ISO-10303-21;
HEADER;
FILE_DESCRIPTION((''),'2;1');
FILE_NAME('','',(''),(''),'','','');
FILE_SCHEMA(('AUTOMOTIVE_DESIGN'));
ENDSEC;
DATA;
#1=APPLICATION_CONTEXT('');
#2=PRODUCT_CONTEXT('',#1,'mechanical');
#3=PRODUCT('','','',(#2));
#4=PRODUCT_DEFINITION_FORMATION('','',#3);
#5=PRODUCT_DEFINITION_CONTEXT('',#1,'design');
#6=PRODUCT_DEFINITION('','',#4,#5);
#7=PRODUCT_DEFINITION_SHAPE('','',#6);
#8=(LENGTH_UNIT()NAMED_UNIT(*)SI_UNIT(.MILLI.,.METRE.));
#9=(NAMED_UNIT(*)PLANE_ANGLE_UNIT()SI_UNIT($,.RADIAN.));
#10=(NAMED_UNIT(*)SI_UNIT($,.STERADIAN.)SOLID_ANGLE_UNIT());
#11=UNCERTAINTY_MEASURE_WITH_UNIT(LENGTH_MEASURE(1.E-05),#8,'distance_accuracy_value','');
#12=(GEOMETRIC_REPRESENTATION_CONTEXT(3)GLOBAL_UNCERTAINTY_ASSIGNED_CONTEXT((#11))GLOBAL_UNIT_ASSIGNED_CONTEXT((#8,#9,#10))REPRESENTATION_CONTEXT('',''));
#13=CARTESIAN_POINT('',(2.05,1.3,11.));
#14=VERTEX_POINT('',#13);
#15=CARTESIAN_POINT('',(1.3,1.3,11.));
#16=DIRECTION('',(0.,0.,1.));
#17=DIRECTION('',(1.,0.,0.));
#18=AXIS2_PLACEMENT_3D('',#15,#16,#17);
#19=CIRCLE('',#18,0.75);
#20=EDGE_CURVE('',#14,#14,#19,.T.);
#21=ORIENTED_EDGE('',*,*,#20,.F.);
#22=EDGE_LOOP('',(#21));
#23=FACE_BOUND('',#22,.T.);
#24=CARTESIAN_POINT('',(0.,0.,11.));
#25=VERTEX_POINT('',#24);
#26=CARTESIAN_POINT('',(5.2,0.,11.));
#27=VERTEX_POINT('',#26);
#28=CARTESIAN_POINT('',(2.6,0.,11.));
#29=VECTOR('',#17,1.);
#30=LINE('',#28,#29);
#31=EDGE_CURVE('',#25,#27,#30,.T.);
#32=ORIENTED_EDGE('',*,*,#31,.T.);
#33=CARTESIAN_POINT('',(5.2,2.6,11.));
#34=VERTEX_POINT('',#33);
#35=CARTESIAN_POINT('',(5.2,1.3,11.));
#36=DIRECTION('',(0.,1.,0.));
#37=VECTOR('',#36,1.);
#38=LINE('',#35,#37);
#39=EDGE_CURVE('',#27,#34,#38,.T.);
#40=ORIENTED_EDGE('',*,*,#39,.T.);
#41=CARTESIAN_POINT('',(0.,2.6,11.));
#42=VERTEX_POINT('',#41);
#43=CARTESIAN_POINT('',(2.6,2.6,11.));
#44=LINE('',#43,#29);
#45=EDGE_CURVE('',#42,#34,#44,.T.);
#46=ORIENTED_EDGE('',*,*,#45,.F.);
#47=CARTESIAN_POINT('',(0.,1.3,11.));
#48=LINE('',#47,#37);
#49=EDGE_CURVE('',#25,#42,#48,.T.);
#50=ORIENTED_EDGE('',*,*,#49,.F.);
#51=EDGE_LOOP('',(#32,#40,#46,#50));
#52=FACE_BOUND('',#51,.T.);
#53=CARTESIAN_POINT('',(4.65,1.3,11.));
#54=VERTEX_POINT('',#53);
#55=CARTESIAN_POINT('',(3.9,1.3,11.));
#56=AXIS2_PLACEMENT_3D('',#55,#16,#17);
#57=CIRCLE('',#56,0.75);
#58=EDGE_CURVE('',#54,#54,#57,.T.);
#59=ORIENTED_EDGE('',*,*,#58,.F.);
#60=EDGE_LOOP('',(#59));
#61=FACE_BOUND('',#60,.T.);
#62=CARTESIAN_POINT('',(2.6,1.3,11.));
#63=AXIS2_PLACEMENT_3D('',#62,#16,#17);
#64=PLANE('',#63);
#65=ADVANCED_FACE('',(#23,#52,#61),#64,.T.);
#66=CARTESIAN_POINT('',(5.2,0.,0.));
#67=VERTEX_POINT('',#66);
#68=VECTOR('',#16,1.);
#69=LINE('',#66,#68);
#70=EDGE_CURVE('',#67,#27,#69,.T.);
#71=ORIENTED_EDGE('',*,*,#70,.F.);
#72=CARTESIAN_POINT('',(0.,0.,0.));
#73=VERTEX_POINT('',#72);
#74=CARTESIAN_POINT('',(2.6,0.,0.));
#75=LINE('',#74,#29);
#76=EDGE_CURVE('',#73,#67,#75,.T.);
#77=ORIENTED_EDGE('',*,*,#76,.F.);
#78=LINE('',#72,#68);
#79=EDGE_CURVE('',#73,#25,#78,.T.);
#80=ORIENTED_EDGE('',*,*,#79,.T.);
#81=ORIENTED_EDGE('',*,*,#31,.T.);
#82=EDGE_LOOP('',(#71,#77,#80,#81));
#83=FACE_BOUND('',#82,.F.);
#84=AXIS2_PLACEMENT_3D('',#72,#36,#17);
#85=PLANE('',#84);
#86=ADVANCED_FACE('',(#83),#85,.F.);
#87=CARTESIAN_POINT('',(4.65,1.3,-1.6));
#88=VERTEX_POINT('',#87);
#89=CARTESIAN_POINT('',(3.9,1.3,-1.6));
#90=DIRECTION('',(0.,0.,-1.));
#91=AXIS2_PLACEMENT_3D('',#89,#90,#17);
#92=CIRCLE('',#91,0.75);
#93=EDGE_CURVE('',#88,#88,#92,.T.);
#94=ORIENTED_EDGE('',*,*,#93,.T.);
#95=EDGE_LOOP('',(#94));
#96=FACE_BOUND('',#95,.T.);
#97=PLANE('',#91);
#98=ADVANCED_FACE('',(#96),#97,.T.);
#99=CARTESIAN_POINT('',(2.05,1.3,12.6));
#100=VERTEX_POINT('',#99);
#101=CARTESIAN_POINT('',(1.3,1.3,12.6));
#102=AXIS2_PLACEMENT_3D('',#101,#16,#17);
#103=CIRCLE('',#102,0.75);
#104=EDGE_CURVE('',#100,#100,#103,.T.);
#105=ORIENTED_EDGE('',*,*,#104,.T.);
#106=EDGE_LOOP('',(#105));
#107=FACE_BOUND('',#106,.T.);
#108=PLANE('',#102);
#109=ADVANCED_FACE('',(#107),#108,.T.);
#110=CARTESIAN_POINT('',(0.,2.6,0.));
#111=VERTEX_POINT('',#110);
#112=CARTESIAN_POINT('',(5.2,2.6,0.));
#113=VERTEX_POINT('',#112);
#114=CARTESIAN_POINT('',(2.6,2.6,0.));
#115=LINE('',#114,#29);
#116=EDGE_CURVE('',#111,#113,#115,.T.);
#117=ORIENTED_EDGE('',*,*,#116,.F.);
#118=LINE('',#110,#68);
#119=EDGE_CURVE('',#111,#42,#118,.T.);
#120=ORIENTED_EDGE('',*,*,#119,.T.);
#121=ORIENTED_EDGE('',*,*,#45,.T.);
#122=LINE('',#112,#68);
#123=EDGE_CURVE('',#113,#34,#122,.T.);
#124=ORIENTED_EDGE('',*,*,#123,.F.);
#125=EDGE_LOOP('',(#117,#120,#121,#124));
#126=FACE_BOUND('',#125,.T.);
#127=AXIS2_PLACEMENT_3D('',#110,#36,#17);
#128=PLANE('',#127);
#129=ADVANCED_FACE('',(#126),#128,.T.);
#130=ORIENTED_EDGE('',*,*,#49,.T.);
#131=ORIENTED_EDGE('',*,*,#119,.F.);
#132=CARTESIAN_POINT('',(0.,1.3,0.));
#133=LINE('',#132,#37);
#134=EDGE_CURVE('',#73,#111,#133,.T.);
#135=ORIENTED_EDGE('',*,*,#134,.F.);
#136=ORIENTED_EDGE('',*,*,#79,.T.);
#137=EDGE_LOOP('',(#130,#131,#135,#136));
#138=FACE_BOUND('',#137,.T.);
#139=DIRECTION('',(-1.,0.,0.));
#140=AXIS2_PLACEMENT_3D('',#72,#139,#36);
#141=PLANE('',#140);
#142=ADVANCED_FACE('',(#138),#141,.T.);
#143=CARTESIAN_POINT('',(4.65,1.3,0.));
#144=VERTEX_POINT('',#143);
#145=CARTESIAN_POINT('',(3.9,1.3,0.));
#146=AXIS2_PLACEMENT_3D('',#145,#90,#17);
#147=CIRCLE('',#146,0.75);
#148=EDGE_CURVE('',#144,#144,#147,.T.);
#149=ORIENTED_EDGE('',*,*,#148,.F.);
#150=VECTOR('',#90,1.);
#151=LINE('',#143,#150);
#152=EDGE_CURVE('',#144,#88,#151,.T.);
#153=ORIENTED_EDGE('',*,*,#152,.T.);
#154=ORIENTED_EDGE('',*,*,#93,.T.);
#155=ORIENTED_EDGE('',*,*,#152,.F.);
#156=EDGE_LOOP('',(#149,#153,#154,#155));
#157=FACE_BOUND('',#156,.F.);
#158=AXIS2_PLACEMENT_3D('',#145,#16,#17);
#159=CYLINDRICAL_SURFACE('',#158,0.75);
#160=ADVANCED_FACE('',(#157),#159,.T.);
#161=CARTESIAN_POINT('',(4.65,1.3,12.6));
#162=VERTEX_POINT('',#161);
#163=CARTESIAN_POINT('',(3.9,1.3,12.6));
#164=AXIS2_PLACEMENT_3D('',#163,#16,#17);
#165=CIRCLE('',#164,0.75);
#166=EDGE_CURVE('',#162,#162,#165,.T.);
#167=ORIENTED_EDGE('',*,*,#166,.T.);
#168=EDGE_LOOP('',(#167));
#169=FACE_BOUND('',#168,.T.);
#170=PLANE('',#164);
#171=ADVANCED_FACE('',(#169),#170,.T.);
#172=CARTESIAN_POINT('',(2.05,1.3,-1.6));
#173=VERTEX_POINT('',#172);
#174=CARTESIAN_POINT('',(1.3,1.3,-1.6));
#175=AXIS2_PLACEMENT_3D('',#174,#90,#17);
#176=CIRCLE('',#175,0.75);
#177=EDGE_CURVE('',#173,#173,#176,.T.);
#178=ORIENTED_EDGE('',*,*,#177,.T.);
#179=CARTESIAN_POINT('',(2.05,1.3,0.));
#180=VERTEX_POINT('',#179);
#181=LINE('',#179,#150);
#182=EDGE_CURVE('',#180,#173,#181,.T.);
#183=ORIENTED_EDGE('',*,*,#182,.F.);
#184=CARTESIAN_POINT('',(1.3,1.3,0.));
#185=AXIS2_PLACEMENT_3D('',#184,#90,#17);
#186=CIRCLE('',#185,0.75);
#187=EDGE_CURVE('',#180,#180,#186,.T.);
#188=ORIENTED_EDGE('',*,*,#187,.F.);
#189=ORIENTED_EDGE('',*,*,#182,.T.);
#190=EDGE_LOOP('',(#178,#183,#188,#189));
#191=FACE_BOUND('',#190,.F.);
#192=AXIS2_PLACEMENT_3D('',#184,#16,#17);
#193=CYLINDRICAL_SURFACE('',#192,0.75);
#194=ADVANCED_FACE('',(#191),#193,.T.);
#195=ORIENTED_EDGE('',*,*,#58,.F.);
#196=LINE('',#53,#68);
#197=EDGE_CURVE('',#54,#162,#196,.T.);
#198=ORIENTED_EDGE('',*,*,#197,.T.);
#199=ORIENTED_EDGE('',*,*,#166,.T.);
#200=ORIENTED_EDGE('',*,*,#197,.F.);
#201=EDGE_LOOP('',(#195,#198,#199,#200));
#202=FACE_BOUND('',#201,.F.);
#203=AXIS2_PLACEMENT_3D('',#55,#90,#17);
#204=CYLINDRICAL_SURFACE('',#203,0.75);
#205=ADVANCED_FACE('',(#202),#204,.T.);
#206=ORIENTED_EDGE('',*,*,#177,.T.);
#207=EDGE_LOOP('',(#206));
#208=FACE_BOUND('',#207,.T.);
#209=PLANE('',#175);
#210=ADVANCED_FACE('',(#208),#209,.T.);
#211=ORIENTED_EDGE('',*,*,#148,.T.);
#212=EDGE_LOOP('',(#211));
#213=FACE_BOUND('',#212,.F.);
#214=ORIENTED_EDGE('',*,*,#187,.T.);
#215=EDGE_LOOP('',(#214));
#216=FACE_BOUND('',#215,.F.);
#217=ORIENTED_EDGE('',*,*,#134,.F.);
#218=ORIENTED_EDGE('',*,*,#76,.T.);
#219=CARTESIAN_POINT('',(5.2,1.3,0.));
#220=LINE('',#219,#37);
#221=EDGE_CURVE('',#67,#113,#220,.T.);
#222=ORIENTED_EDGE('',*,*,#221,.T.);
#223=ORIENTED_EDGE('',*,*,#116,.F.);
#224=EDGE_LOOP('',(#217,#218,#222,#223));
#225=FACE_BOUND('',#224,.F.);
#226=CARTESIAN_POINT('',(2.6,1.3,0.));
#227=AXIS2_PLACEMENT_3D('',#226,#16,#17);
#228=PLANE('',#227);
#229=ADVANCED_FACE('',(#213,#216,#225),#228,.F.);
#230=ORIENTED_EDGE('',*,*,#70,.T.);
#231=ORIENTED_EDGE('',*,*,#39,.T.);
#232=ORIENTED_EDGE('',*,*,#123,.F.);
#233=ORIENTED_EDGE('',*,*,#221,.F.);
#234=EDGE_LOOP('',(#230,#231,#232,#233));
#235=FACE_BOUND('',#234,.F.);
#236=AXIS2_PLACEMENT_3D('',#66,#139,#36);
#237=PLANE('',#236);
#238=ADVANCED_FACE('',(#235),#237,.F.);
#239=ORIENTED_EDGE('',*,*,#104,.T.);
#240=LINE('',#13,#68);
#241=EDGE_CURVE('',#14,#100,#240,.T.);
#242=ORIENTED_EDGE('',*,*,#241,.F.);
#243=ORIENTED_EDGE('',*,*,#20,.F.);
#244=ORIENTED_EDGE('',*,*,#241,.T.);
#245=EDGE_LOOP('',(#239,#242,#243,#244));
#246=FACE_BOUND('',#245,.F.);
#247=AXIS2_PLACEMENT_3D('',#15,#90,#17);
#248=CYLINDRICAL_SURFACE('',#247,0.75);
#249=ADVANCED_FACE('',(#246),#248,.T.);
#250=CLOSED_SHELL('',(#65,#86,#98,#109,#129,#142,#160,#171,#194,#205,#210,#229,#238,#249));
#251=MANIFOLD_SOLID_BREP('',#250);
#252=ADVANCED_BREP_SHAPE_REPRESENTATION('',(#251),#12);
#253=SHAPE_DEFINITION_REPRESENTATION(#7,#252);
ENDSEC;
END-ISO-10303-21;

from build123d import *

# Parameters (mm, degrees)
F0_W     = 5.2
F0_H     = 2.6
F1_DEPTH = 11
F2_R     = 0.75
F3_DEPTH = 1.6
F4_R     = 0.75
F5_DEPTH = 1.6


with BuildPart() as f1:
    # F0 (on Top) → F1 (new body)
    with BuildSketch(Plane.XY):
        with Locations((2.6, 1.3)):
            Rectangle(F0_W, F0_H)
    extrude(amount=F1_DEPTH)

    # F2 (on face) → F3 (join)
    with BuildSketch(Plane.XY.offset(11)):
        with Locations((1.3, 1.3)):
            Circle(F2_R)
        with Locations((3.9, 1.3)):
            Circle(F2_R)
    extrude(amount=F3_DEPTH)

    # F4 (on face) → F5 (join)
    with BuildSketch(Plane(origin=(0, 0, 0), x_dir=(1, 0, 0), z_dir=(0, 0, -1))):
        with Locations((1.3, -1.3)):
            Circle(F4_R)
        with Locations((3.9, -1.3)):
            Circle(F4_R)
    extrude(amount=F5_DEPTH)


solid = f1.part
